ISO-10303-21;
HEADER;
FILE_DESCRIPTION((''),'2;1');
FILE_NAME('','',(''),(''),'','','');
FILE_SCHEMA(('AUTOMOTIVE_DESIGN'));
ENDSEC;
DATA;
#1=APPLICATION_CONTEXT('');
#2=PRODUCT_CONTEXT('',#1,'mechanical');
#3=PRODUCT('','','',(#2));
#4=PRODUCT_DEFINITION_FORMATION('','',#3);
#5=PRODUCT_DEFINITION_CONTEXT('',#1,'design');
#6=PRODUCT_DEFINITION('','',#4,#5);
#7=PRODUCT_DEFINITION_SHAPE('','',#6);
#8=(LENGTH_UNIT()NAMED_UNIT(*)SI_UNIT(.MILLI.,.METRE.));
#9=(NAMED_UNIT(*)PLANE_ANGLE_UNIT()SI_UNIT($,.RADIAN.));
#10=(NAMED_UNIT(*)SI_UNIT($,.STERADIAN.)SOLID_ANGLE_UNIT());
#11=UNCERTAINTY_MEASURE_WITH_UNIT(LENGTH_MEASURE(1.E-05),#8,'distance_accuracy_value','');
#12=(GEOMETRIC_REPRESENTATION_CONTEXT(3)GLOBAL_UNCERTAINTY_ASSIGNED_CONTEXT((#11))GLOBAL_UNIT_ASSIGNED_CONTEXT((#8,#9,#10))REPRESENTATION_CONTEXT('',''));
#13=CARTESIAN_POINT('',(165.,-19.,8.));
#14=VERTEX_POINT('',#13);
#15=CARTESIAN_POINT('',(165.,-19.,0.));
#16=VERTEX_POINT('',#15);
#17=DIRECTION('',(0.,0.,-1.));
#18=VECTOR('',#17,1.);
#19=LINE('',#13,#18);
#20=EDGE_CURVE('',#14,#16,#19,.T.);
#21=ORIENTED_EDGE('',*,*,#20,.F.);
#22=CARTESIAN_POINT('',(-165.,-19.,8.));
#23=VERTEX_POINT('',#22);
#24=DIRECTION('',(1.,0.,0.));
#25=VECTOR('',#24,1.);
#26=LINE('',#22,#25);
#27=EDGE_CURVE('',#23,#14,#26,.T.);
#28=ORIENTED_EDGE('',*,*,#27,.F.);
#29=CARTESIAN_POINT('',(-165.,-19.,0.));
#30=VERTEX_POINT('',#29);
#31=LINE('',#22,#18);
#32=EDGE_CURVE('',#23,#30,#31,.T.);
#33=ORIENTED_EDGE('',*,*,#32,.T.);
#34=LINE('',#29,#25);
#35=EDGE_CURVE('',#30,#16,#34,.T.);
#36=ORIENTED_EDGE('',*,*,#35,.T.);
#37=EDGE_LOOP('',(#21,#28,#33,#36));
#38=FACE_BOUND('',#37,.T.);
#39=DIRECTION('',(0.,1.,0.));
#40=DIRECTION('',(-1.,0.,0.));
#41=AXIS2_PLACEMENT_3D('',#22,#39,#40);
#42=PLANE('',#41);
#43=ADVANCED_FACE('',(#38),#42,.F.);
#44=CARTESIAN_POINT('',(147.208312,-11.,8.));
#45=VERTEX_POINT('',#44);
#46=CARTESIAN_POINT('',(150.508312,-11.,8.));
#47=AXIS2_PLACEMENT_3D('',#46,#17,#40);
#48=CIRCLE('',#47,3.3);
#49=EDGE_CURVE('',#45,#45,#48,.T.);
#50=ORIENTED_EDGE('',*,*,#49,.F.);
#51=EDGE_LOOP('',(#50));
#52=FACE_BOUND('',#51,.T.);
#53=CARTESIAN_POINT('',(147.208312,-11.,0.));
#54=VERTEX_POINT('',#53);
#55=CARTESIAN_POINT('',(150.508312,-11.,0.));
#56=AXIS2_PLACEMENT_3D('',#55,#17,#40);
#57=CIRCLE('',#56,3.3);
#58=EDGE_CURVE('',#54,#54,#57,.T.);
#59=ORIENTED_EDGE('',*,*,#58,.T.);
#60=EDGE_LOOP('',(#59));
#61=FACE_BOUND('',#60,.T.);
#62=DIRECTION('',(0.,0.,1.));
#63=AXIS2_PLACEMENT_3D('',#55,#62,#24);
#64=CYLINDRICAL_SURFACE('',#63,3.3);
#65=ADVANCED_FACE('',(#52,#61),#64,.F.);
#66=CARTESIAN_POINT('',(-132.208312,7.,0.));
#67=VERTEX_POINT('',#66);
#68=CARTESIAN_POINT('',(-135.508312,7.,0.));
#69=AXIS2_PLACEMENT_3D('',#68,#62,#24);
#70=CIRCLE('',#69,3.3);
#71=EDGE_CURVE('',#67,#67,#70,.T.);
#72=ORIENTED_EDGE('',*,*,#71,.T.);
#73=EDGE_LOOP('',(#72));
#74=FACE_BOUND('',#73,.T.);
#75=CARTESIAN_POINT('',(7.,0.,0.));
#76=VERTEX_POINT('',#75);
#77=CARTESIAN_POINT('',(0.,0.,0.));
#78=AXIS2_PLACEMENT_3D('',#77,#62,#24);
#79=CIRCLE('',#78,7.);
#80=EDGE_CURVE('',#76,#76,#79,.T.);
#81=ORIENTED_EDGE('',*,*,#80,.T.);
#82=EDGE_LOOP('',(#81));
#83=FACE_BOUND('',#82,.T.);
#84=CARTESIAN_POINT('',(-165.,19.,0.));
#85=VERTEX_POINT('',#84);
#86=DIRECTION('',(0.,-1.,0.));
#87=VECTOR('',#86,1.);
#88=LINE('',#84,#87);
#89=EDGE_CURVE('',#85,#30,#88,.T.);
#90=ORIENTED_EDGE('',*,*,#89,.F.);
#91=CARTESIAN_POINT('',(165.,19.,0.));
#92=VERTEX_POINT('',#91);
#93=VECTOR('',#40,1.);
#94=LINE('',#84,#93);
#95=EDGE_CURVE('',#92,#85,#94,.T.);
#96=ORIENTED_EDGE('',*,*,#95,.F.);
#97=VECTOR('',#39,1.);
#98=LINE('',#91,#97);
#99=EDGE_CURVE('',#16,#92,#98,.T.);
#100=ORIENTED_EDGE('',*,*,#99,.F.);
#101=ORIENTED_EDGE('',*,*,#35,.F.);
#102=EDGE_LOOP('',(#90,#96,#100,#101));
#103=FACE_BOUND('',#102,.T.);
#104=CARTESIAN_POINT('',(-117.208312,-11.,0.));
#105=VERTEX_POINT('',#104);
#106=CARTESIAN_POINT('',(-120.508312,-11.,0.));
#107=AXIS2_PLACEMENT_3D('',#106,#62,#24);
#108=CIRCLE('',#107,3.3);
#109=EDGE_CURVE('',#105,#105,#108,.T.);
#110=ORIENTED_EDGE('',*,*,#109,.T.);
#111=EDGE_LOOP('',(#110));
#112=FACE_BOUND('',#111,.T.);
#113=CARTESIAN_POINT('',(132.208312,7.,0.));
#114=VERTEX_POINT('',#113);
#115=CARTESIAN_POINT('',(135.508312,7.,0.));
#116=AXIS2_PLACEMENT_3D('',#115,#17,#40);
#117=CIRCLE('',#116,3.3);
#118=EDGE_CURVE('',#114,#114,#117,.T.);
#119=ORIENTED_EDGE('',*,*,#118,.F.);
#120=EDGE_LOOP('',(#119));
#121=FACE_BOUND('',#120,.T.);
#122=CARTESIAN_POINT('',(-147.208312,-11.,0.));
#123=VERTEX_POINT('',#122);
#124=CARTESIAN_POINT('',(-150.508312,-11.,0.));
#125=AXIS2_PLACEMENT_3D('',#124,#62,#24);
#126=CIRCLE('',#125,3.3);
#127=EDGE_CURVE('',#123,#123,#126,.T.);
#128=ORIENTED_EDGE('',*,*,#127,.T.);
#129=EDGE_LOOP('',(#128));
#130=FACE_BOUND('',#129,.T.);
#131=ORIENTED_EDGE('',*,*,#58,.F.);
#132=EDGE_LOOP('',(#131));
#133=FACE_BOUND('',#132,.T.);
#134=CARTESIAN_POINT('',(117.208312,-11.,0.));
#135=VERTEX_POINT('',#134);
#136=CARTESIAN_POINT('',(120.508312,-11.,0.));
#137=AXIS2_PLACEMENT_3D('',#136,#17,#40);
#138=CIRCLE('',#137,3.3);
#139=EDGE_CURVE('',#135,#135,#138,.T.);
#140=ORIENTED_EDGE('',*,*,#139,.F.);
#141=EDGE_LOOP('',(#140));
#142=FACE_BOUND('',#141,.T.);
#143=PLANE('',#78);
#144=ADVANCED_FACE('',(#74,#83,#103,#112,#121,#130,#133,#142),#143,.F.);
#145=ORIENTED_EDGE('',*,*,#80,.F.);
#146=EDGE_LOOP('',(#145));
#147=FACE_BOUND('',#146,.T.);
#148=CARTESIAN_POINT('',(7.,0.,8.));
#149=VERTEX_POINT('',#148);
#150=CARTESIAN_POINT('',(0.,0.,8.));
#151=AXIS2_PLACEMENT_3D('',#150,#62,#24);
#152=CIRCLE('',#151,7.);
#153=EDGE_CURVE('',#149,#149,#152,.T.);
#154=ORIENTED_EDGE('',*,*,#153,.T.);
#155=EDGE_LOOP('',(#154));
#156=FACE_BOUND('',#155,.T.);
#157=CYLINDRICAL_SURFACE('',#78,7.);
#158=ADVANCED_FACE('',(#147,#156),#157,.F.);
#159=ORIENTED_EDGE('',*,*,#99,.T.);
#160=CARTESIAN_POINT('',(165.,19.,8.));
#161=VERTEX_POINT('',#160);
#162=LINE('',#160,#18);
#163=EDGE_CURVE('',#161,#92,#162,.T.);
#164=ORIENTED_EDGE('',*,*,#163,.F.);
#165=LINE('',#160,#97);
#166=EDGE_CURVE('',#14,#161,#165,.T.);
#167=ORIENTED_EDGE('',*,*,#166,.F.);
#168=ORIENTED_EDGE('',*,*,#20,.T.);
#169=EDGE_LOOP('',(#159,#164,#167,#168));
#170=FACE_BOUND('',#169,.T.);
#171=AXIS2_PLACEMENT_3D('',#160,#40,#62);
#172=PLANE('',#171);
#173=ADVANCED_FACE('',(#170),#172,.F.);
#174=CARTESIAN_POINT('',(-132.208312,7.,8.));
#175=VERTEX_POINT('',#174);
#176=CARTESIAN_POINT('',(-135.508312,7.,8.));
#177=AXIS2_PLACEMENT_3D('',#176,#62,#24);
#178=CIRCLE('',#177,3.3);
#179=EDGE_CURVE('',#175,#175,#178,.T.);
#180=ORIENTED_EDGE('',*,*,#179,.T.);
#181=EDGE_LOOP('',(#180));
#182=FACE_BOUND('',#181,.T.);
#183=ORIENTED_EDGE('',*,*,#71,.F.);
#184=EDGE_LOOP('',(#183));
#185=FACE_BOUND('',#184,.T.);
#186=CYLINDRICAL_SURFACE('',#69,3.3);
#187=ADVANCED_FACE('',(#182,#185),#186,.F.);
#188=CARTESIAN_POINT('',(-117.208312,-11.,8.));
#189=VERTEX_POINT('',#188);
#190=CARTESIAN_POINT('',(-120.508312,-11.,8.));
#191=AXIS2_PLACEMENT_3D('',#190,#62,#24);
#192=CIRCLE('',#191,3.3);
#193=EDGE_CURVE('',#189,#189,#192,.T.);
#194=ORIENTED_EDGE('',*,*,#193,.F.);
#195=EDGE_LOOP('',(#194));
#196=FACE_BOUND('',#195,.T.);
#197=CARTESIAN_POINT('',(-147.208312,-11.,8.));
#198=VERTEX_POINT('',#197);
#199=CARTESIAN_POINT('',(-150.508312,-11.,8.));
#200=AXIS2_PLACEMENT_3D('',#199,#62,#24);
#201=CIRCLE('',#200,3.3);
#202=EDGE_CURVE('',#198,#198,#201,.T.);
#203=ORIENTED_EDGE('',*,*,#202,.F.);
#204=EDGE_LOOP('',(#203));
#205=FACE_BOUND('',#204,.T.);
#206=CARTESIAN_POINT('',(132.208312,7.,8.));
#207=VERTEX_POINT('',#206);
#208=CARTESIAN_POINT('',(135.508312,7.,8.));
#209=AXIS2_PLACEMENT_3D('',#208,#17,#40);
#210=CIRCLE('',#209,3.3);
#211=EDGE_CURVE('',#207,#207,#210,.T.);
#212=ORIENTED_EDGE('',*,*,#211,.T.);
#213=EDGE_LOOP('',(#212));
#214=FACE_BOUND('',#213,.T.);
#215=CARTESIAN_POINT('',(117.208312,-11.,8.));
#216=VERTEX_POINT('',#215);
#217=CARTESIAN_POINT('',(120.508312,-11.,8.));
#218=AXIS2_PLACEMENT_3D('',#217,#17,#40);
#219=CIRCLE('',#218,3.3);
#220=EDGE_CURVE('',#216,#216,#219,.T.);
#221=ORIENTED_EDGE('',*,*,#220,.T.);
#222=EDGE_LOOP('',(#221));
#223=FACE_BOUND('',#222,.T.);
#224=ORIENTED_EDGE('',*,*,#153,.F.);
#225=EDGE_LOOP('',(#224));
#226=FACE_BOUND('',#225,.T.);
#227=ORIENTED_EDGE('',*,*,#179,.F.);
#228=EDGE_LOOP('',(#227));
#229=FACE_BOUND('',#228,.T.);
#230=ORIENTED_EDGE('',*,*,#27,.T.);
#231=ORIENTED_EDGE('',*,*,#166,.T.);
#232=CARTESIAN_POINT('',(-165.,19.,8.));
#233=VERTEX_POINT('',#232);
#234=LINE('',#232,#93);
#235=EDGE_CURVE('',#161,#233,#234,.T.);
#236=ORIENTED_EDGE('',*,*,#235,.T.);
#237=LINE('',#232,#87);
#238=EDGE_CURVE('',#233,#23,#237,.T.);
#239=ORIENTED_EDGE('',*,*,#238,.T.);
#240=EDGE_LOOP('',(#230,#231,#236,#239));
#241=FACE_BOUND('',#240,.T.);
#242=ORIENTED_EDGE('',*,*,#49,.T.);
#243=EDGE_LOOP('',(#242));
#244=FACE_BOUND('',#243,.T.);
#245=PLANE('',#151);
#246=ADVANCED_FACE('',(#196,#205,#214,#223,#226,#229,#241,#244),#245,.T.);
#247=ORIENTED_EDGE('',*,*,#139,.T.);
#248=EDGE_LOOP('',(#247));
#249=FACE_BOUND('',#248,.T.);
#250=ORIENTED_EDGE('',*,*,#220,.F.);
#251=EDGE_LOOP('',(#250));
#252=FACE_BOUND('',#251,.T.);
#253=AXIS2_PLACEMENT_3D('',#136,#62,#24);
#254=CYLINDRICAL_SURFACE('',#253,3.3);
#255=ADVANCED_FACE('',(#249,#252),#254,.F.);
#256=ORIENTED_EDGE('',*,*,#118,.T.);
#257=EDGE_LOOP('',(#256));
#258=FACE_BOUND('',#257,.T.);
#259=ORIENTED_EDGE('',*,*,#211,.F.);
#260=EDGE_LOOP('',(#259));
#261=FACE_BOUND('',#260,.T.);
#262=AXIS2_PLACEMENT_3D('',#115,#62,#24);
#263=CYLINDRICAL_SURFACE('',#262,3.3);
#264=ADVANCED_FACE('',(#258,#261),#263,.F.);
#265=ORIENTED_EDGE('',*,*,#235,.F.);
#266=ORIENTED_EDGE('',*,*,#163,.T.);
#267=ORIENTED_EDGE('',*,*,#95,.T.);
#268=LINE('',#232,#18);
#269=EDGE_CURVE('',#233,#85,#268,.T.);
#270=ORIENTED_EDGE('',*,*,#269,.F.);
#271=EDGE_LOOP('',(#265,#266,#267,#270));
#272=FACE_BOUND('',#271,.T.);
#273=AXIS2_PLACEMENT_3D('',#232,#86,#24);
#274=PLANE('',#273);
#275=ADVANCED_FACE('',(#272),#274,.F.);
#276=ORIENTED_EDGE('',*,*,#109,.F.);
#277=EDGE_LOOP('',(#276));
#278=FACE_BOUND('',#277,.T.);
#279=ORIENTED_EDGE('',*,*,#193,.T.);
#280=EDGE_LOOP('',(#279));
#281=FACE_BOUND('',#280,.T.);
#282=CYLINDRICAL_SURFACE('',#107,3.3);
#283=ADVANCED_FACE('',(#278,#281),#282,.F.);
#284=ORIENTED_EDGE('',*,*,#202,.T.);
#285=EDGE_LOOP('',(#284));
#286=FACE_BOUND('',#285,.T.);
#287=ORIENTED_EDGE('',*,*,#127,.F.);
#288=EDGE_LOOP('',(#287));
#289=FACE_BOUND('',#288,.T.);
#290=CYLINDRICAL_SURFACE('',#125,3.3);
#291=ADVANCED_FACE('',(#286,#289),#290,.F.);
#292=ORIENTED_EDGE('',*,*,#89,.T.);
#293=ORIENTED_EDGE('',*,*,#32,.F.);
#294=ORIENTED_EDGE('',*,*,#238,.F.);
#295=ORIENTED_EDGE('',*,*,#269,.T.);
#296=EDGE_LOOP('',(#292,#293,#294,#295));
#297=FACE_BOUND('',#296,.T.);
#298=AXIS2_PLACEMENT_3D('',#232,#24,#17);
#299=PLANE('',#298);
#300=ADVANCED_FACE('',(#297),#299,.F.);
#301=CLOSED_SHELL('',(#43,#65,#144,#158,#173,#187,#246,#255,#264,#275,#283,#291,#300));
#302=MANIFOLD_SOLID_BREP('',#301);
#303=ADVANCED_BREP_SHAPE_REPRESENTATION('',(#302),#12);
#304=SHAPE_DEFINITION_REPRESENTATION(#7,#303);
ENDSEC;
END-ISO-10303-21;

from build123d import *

# Parameters (mm, degrees)
SKETCH2_W           = 330
SKETCH2_H           = 38
BOSS_EXTRUDE1_DEPTH = 8
SKETCH3_R           = 7
CUT_EXTRUDE1_DEPTH  = 9
SKETCH4_R           = 3.3
CUT_EXTRUDE2_DEPTH  = 9


with BuildPart() as part:
    # Sketch2 → Boss-Extrude1 (new body)
    with BuildSketch(Plane.XY):
        Rectangle(SKETCH2_W, SKETCH2_H)
    extrude(amount=BOSS_EXTRUDE1_DEPTH)

    # Sketch3 → Cut-Extrude1 (cut, through all)
    with BuildSketch(Plane.XY.offset(8)):
        Circle(SKETCH3_R)
    extrude(amount=-CUT_EXTRUDE1_DEPTH, mode=Mode.SUBTRACT)

    # Sketch4 → Cut-Extrude2 (cut, through all)
    with BuildSketch(Plane.XY.offset(8)):
        with Locations((-135.508311731, 7)):
            Circle(SKETCH4_R)
        with Locations((-120.508311731, -11)):
            Circle(SKETCH4_R)
        with Locations((-150.508311731, -11)):
            Circle(SKETCH4_R)
    cut_extrude2 = extrude(amount=-CUT_EXTRUDE2_DEPTH, mode=Mode.SUBTRACT)

    # Mirror1: Cut-Extrude2 across plane
    add(cut_extrude2.mirror(Plane(origin=(0, 0, 0), x_dir=(0, 0, 1), z_dir=(1, 0, 0))), mode=Mode.SUBTRACT)


solid = part.part
